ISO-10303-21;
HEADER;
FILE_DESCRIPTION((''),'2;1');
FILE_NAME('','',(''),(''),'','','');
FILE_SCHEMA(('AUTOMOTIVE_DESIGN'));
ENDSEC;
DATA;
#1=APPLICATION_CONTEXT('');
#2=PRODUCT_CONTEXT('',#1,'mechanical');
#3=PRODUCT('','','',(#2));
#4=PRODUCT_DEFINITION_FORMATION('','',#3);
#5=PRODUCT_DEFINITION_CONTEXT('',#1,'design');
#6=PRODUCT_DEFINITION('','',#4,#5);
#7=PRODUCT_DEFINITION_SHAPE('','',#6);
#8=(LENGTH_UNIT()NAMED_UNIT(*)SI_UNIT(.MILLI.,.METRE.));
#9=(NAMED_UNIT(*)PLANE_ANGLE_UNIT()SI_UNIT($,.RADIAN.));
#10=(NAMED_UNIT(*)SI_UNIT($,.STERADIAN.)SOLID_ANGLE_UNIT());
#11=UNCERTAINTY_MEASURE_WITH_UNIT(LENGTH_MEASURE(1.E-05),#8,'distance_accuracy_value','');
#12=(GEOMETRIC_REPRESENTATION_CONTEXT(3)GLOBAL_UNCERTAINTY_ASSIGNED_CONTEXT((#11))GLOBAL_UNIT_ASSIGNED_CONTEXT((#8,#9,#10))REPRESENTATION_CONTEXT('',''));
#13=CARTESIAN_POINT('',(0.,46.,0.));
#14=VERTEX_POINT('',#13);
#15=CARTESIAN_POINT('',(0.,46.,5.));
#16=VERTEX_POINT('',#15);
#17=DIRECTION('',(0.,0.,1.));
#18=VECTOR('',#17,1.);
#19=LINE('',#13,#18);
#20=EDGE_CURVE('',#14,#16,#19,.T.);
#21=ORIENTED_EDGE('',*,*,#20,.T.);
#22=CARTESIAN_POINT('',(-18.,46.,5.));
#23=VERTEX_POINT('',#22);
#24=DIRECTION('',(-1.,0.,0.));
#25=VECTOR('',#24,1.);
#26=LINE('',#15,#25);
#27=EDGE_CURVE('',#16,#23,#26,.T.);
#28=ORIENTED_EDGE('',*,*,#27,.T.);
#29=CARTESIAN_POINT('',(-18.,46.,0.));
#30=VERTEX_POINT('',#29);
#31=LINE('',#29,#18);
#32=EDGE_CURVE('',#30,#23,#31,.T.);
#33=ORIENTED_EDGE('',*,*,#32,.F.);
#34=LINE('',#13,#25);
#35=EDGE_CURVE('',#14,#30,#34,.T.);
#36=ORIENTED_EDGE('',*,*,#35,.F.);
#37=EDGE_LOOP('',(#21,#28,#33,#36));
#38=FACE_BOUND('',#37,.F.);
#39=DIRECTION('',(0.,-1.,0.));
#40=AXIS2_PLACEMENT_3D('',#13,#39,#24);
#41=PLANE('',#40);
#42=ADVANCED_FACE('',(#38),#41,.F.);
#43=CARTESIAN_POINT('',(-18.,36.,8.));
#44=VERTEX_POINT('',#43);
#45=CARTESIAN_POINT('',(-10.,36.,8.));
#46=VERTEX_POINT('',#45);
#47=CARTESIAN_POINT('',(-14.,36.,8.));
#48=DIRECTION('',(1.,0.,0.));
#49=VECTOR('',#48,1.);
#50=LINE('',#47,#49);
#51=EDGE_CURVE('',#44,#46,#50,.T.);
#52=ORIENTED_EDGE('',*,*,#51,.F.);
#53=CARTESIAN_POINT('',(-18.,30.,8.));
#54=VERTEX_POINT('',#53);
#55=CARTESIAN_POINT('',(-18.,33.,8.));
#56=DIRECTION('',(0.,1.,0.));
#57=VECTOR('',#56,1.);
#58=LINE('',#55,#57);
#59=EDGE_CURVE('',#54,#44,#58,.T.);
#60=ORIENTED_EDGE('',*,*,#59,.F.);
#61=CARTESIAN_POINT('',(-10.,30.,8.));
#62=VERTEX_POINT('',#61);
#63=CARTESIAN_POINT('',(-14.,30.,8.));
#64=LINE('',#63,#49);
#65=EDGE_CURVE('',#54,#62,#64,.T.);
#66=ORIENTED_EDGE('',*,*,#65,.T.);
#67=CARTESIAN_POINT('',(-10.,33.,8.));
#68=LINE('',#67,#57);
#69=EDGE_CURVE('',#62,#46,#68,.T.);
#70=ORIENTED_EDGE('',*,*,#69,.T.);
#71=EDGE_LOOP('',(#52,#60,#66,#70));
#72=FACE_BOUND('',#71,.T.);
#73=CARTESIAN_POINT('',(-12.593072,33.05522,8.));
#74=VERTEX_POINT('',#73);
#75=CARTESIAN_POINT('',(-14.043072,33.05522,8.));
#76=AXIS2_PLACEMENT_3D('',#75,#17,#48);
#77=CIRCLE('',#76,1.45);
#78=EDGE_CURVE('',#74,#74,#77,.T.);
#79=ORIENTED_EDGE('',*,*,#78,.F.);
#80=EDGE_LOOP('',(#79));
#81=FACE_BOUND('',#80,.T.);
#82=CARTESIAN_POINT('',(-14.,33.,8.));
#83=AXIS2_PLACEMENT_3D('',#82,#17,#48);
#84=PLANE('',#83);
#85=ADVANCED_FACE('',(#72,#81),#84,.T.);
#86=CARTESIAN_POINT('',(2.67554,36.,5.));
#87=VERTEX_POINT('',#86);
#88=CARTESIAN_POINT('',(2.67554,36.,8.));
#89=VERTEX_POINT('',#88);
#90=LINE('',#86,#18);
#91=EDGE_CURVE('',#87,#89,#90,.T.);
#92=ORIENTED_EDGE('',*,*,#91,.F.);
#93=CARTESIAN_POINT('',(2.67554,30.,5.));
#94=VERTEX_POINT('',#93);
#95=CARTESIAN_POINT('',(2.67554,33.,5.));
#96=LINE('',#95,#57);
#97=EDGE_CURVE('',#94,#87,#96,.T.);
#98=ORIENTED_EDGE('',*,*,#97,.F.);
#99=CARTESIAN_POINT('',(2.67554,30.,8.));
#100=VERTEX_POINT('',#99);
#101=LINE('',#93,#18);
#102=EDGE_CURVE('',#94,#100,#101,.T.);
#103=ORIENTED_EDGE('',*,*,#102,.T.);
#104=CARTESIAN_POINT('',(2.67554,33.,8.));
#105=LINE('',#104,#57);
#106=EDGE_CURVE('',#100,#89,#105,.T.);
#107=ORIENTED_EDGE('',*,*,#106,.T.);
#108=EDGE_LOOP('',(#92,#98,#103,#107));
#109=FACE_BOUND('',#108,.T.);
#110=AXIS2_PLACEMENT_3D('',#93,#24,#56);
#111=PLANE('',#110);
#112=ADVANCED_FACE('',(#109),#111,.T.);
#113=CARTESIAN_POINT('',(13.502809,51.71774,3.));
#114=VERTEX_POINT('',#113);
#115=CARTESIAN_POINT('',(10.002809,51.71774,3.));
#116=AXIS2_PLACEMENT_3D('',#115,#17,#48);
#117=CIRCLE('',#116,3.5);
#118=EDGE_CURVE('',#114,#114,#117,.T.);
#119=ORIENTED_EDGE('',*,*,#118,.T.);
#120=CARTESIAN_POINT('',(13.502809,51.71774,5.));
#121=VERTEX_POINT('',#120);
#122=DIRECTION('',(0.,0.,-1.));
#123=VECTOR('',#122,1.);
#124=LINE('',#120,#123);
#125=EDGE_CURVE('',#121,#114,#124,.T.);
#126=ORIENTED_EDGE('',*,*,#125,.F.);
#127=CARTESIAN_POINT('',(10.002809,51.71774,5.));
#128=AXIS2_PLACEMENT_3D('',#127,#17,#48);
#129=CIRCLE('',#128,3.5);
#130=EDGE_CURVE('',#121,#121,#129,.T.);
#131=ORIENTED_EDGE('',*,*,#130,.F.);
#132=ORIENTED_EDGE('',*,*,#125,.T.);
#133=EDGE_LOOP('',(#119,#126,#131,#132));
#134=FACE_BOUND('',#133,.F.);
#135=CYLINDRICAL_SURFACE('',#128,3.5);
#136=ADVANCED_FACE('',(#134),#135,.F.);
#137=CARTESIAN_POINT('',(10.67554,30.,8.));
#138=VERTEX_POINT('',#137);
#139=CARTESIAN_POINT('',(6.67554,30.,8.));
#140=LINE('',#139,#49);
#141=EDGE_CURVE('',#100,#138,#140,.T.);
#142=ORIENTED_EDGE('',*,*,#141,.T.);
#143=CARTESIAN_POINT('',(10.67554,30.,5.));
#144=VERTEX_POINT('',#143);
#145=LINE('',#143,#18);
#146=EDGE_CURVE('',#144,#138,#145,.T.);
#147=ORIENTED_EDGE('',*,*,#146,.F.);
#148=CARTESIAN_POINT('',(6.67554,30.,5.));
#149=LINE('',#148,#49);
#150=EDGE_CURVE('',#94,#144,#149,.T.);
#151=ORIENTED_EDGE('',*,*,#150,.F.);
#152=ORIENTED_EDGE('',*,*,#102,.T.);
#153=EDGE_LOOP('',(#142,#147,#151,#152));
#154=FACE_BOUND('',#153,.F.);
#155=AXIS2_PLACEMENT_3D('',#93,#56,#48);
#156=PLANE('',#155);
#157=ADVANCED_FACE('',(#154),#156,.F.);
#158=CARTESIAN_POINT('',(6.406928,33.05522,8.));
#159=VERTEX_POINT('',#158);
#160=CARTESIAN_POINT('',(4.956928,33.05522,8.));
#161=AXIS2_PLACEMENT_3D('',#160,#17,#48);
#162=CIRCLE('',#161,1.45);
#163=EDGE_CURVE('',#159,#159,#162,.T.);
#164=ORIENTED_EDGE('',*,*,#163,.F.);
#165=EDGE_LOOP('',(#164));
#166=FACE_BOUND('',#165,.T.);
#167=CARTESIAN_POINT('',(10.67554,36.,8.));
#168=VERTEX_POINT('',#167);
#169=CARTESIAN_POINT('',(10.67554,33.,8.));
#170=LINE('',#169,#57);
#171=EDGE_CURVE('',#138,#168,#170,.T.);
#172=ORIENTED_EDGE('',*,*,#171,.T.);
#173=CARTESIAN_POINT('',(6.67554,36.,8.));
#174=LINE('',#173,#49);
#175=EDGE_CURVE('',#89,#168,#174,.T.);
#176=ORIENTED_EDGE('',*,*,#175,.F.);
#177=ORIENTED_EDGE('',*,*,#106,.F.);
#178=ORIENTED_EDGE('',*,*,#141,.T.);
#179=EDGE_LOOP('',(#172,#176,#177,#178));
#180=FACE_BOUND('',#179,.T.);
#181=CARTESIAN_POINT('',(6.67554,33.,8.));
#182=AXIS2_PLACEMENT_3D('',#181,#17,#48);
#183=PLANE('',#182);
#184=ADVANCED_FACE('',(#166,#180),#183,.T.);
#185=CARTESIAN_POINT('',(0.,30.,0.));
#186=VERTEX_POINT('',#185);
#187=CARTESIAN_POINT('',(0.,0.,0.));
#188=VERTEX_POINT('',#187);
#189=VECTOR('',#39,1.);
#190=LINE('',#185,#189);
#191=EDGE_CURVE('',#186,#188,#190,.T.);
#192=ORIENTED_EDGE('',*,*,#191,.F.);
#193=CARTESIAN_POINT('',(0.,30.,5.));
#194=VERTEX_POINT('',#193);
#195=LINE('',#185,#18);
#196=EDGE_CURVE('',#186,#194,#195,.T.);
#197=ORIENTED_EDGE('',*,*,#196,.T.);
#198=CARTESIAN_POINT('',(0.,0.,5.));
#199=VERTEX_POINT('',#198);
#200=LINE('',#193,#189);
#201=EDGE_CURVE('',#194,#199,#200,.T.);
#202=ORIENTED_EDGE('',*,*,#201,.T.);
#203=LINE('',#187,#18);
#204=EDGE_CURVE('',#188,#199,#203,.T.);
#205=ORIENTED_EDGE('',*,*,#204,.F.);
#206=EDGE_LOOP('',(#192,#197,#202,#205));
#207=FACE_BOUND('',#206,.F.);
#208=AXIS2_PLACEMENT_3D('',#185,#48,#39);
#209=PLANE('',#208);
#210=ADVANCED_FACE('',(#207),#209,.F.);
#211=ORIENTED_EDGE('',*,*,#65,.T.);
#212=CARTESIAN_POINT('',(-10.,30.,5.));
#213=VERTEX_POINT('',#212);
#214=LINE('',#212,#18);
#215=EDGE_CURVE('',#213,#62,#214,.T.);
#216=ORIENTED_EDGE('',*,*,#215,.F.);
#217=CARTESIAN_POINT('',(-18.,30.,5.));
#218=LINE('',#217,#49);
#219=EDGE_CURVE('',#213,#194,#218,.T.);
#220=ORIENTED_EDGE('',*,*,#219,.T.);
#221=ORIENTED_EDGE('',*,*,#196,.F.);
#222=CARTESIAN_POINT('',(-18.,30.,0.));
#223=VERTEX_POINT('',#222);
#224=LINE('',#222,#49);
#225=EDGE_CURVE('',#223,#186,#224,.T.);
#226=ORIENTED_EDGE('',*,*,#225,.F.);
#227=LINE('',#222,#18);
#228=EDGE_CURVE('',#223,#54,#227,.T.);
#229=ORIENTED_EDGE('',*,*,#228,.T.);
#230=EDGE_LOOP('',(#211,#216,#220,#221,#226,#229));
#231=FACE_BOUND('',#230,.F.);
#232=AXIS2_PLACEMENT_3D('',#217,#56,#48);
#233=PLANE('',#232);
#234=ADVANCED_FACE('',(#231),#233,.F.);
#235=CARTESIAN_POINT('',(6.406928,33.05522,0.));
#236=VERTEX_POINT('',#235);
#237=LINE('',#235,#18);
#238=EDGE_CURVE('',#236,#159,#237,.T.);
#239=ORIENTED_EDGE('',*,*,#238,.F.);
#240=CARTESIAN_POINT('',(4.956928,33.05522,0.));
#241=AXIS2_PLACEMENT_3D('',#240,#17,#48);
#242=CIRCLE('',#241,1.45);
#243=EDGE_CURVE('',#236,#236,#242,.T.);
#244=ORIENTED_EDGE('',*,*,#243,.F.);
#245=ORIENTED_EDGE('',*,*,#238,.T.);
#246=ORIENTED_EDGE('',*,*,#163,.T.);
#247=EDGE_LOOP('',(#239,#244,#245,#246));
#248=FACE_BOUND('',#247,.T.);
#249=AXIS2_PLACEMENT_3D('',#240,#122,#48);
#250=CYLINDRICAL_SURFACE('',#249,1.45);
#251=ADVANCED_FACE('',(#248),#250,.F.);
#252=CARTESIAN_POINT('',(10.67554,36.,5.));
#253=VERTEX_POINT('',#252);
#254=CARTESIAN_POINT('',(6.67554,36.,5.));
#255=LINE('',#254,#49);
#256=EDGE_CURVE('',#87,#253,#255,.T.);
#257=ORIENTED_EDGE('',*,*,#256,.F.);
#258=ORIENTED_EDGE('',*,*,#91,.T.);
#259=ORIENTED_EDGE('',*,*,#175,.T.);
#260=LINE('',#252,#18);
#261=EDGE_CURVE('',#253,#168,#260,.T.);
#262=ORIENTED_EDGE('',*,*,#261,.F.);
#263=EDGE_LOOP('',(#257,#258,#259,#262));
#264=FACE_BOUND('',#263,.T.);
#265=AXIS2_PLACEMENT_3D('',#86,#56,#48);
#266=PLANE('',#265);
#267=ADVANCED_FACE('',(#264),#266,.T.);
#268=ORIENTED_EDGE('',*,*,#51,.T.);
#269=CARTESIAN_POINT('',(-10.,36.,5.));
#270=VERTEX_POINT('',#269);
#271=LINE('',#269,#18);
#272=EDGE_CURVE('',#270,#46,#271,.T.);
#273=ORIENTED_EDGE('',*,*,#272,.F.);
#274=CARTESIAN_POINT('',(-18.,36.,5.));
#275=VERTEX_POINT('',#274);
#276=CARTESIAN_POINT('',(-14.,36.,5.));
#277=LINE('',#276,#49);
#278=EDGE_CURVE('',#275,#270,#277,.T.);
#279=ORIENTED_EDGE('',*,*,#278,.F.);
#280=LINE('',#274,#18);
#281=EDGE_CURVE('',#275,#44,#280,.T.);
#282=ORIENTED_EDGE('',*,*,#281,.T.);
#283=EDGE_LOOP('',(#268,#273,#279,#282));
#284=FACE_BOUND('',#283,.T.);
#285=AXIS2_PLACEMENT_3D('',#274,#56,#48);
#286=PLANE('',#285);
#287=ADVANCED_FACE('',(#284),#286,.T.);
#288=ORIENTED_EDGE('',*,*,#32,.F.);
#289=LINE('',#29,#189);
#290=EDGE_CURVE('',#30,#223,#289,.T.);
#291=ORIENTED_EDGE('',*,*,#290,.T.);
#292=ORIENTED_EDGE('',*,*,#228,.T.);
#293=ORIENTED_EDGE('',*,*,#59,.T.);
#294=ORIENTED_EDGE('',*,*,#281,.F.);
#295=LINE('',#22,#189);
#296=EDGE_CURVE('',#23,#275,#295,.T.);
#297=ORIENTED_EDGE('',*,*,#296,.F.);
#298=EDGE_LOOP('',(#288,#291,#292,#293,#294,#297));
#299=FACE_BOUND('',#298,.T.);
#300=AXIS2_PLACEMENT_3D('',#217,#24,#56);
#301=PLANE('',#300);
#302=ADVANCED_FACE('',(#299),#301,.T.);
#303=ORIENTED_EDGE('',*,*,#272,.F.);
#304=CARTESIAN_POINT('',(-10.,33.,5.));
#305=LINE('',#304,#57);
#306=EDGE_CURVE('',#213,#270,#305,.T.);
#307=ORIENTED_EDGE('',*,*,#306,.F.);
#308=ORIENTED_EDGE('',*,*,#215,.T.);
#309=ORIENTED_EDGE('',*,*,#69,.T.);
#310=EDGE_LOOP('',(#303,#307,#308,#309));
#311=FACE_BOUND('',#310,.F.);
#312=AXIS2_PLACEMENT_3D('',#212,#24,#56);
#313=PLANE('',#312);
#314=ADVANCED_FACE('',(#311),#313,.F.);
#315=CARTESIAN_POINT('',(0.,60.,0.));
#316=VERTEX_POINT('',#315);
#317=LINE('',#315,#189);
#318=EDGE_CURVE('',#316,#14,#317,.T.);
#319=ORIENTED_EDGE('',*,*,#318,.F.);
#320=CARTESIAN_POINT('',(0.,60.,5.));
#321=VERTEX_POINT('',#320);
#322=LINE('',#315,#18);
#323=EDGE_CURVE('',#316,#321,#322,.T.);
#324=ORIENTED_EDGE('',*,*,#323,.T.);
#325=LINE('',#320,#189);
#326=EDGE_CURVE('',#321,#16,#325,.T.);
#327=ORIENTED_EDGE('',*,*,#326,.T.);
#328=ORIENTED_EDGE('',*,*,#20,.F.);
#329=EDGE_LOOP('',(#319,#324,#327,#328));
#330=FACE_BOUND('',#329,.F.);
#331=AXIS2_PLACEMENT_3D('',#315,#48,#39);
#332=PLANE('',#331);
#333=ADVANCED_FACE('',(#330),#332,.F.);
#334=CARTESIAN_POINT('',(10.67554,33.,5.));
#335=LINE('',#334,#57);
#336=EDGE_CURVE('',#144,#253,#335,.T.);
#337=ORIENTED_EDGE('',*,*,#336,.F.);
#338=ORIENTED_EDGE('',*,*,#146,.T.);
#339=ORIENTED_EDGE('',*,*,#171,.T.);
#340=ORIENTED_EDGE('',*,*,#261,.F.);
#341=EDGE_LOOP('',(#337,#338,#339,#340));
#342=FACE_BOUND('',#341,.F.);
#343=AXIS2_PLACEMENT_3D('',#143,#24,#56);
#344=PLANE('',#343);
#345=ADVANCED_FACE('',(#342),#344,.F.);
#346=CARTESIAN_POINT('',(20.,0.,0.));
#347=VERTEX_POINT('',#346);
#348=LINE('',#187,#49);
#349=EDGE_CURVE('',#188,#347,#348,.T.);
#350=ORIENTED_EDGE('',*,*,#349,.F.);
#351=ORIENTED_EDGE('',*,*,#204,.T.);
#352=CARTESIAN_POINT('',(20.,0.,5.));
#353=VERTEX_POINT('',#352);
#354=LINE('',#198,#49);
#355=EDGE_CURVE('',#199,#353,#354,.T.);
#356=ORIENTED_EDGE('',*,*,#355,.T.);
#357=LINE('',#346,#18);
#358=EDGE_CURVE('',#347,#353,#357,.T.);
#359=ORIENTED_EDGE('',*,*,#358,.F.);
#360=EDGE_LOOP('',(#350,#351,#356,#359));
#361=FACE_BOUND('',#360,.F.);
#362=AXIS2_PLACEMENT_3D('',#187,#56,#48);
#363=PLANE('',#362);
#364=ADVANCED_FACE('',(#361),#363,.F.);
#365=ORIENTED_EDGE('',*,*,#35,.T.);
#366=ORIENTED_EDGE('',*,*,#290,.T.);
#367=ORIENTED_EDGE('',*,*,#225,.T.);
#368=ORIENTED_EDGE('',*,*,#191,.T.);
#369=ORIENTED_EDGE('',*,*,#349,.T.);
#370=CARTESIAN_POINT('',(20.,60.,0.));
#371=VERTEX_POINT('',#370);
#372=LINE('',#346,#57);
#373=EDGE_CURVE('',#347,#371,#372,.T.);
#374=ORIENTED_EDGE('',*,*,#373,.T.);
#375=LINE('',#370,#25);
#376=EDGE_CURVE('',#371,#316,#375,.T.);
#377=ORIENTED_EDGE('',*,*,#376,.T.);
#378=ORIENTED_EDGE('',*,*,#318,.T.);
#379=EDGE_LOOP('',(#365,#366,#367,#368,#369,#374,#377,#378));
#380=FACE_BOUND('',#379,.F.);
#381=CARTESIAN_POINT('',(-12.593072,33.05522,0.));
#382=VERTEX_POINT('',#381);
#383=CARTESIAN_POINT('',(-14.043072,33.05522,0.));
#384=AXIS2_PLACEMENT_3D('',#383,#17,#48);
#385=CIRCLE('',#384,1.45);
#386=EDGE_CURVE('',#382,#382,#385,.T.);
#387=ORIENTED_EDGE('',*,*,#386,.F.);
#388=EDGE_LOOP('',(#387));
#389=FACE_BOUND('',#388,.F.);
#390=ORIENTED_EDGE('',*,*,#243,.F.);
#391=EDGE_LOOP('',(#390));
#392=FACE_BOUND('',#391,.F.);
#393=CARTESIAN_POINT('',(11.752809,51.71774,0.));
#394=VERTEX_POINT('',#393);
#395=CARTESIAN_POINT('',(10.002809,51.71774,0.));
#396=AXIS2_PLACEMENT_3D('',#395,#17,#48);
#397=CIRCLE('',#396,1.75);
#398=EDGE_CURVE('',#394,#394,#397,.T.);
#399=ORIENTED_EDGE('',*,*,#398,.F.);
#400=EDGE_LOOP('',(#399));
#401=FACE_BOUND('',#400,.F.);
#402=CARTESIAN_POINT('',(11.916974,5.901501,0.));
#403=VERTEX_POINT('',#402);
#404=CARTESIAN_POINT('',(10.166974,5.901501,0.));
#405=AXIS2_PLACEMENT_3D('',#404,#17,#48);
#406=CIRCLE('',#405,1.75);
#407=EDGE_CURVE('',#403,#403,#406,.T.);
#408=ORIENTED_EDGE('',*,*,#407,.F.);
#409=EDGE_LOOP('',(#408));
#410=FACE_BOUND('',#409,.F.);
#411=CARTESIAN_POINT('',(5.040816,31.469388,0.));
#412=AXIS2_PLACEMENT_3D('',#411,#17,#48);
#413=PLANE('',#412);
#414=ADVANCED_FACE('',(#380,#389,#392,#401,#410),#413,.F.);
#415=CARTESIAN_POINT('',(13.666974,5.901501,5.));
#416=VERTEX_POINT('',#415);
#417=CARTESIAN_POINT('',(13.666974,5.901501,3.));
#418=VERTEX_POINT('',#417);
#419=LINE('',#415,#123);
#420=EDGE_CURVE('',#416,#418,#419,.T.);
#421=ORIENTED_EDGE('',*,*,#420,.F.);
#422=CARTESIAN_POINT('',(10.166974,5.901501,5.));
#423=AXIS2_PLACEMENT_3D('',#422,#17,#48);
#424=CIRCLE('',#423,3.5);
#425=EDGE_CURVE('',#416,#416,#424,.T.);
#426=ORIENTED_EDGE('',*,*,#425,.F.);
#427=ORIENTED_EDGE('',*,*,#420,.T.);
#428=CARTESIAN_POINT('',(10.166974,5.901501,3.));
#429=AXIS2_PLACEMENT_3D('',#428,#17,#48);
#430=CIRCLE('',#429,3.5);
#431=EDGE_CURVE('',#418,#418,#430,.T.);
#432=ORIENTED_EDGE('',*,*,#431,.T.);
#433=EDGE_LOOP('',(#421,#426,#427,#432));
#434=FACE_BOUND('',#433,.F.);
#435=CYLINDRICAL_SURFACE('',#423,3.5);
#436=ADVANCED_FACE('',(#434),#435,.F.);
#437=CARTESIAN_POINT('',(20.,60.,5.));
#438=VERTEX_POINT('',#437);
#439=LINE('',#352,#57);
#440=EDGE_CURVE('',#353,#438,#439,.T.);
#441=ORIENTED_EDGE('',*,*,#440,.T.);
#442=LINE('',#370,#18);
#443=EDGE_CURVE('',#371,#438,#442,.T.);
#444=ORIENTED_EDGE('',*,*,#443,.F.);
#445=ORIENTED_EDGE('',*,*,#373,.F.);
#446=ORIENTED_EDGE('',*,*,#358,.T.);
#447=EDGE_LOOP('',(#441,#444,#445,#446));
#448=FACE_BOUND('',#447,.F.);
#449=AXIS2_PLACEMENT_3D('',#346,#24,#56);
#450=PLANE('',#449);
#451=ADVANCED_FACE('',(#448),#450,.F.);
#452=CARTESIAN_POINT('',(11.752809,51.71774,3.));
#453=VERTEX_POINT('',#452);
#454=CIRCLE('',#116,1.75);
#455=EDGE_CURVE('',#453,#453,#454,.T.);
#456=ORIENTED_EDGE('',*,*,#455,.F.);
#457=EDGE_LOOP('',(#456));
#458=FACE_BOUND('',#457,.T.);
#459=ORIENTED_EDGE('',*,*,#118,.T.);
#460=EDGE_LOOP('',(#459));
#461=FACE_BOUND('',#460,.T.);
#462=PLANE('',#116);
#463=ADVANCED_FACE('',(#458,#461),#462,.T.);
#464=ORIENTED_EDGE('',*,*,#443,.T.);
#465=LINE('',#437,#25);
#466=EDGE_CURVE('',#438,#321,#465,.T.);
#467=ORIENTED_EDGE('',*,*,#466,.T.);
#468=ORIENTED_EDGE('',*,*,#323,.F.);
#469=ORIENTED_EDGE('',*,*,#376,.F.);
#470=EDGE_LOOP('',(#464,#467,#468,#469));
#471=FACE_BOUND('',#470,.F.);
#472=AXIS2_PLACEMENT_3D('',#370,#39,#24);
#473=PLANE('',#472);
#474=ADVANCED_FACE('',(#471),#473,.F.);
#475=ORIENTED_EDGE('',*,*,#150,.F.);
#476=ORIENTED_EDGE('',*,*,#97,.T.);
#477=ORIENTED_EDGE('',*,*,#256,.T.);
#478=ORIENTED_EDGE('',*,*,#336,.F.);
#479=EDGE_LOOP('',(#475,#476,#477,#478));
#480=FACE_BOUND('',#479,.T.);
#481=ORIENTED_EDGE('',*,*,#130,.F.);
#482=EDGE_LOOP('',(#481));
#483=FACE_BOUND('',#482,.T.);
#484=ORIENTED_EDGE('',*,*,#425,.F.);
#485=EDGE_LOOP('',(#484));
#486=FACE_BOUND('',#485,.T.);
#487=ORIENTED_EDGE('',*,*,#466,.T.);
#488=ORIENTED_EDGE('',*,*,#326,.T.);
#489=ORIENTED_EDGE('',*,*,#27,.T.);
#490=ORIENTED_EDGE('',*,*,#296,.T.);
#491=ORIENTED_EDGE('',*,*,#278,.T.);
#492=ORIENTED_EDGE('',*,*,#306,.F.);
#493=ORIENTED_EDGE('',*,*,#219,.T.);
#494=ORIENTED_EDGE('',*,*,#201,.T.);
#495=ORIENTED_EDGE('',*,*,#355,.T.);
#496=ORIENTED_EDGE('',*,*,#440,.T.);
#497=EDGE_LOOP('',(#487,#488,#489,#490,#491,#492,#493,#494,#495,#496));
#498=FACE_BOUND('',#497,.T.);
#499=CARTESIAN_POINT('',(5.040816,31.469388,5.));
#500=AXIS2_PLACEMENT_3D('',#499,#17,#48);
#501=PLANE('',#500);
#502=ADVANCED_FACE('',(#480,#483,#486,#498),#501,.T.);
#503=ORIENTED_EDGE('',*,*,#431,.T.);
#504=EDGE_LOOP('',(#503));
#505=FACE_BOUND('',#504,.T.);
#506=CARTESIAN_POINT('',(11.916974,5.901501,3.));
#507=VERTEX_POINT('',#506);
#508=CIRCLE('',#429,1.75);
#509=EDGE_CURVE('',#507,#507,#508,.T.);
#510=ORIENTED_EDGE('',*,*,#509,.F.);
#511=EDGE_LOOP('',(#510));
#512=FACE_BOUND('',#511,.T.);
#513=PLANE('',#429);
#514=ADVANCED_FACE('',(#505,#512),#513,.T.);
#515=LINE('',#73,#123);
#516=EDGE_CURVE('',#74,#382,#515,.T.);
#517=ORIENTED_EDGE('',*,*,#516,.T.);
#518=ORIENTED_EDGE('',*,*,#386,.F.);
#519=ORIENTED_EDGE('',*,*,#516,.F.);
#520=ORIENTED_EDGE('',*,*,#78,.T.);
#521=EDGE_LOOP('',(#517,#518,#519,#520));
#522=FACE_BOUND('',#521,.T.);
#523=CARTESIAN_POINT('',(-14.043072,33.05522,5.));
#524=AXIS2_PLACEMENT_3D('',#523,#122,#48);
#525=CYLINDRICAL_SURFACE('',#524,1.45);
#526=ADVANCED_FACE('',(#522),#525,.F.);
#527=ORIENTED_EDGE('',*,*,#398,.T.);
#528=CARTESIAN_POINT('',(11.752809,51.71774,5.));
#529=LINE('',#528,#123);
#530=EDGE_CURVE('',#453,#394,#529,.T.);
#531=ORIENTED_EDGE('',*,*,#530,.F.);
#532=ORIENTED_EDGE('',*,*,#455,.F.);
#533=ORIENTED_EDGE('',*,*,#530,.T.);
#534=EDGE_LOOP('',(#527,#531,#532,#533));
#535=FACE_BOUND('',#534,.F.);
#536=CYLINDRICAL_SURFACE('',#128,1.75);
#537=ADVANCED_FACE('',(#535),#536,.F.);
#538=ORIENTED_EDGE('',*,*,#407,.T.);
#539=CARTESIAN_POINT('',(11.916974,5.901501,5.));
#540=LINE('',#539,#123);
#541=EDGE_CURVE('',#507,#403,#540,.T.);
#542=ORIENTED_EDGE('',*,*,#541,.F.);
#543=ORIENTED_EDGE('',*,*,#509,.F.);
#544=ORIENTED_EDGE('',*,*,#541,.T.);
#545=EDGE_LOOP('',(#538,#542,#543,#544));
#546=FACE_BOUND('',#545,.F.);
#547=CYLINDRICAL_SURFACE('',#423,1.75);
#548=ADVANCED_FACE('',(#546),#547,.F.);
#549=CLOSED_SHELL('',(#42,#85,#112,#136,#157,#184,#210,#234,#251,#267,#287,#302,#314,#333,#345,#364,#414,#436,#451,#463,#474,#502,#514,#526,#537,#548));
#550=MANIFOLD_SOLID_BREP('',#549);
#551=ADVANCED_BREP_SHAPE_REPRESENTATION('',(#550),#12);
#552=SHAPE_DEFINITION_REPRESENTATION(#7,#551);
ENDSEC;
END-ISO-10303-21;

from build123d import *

# Parameters (mm, degrees)
F0_R     = 1.45
F1_DEPTH = 5
F2_R     = 1.75
F3_DEPTH = 25
F4_W     = 8
F4_H     = 6
F4_R     = 1.45
F5_DEPTH = 3
F6_R     = 3.5
F7_DEPTH = 2


with BuildPart() as f1:
    # F0 (on Top) → F1 (new body)
    with BuildSketch(Plane.XY):
        Polygon((0, 30), (0, 0), (20, 0), (20, 60), (0, 60), (0, 46), (-18, 46), (-18, 30), align=None)
        with Locations((-14.043072, 33.05522)):
            Circle(F0_R, mode=Mode.SUBTRACT)
        with Locations((4.956928, 33.05522)):
            Circle(F0_R, mode=Mode.SUBTRACT)
    extrude(amount=F1_DEPTH)

    # F2 (on face) → F3 (cut)
    with BuildSketch(Plane.XY.offset(5)):
        with Locations((10.002809, 51.71774)):
            Circle(F2_R)
        with Locations((10.166974, 5.901501)):
            Circle(F2_R)
    extrude(amount=-F3_DEPTH, mode=Mode.SUBTRACT)

    # F4 (on face) → F5 (join)
    with BuildSketch(Plane.XY.offset(5)):
        with Locations((-14, 33)):
            Rectangle(F4_W, F4_H)
        with Locations((-14.043072, 33.05522)):
            Circle(F4_R, mode=Mode.SUBTRACT)
        with Locations((6.67554, 33)):
            Rectangle(F4_W, F4_H)
        with Locations((4.956928, 33.05522)):
            Circle(F4_R, mode=Mode.SUBTRACT)
    extrude(amount=F5_DEPTH)

    # F6 (on face) → F7 (cut)
    with BuildSketch(Plane.XY.offset(5)):
        with Locations((10.002809, 51.71774)):
            Circle(F6_R)
        with Locations((10.166974, 5.901501)):
            Circle(F6_R)
    extrude(amount=-F7_DEPTH, mode=Mode.SUBTRACT)


solid = f1.part
